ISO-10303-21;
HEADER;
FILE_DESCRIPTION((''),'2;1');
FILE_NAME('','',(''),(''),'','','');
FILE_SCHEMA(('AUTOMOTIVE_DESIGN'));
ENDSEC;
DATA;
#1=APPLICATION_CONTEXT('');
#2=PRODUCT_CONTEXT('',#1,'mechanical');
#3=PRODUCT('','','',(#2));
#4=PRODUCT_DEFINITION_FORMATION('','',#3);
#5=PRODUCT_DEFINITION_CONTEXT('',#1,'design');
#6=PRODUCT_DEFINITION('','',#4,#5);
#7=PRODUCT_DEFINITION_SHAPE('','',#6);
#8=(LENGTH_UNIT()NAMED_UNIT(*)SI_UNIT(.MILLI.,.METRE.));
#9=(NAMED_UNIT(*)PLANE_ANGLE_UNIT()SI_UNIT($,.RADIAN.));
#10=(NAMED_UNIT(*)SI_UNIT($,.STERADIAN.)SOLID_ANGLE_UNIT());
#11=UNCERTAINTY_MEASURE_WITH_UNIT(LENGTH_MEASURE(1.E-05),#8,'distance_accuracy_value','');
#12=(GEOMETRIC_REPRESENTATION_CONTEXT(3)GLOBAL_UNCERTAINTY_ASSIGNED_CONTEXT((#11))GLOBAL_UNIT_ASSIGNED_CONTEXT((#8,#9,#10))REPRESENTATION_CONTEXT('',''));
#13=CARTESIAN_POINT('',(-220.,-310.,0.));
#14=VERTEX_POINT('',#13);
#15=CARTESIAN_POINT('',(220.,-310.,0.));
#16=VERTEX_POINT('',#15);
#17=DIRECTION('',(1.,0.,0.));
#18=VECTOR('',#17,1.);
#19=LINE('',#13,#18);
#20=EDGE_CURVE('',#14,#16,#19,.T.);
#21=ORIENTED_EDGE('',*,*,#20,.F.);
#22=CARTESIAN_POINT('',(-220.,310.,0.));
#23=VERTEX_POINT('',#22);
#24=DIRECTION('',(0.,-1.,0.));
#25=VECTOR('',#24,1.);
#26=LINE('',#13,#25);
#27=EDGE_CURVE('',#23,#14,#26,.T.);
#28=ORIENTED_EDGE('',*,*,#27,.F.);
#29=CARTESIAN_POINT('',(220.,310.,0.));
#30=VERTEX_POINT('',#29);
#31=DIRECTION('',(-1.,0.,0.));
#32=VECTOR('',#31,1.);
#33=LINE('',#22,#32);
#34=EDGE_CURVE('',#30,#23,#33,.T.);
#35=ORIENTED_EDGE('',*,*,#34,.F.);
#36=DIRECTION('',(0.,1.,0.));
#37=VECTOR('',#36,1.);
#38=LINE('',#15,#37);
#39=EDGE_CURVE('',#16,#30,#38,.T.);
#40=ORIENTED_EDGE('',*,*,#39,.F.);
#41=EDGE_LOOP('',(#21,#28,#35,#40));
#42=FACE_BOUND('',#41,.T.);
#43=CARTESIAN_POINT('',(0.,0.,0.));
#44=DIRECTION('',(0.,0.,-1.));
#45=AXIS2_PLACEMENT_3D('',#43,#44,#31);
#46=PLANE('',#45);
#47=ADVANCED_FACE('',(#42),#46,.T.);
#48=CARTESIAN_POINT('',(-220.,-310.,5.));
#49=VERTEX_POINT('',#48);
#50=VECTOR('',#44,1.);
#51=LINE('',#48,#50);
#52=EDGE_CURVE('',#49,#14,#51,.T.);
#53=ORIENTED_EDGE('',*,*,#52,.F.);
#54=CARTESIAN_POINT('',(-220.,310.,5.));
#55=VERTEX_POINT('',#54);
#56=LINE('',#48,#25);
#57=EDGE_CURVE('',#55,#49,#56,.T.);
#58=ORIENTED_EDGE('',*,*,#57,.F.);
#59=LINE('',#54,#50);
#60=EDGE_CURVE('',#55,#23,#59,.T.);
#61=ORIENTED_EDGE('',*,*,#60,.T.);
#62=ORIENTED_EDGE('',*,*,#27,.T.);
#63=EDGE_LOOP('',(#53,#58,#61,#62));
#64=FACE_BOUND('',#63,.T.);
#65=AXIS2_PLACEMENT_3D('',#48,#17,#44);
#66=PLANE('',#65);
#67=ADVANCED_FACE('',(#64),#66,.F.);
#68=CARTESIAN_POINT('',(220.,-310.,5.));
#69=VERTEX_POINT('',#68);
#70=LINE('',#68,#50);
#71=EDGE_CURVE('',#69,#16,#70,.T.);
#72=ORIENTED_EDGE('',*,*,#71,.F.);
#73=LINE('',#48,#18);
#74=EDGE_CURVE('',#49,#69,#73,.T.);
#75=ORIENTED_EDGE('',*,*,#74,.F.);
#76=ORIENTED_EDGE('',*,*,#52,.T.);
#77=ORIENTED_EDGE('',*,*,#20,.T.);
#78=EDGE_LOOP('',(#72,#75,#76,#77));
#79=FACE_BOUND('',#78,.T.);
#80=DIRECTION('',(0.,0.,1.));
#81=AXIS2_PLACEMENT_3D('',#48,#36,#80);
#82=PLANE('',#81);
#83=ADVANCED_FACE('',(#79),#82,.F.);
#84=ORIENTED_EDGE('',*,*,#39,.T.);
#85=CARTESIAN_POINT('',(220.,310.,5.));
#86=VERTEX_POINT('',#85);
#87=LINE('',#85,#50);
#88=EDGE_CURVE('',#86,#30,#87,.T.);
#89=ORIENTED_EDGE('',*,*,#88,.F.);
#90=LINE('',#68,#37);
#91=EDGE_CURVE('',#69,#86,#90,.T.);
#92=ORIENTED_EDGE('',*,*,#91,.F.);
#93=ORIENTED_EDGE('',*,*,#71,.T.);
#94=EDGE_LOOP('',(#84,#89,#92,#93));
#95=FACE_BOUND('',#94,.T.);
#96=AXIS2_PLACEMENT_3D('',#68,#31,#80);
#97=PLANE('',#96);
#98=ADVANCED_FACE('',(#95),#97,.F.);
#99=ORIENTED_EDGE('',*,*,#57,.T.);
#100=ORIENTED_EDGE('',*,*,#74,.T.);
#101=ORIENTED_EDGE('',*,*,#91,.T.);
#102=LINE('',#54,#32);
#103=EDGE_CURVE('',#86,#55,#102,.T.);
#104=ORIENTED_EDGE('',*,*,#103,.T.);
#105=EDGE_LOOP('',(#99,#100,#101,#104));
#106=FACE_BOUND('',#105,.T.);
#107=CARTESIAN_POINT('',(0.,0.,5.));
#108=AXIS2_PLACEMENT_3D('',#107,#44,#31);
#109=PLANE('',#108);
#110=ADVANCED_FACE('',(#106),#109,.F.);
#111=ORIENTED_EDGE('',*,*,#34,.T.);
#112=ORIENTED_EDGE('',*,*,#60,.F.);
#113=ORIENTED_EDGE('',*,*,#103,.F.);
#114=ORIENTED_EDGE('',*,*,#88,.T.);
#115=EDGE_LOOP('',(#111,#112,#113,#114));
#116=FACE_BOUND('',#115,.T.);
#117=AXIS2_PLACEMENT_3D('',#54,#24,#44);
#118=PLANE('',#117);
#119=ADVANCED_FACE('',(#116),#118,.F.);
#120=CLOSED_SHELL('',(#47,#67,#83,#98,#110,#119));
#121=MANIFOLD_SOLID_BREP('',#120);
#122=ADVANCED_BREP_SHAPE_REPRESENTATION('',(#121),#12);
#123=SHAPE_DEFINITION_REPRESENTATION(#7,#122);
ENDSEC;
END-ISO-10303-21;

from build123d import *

# Parameters (mm, degrees)
ESQUISSE1_W        = 440
ESQUISSE1_H        = 620
BOSS_EXTRU_1_DEPTH = 5


with BuildPart() as part:
    # Esquisse1 → Boss.-Extru.1 (new body)
    with BuildSketch(Plane.XY):
        Rectangle(ESQUISSE1_W, ESQUISSE1_H)
    extrude(amount=BOSS_EXTRU_1_DEPTH)


solid = part.part
